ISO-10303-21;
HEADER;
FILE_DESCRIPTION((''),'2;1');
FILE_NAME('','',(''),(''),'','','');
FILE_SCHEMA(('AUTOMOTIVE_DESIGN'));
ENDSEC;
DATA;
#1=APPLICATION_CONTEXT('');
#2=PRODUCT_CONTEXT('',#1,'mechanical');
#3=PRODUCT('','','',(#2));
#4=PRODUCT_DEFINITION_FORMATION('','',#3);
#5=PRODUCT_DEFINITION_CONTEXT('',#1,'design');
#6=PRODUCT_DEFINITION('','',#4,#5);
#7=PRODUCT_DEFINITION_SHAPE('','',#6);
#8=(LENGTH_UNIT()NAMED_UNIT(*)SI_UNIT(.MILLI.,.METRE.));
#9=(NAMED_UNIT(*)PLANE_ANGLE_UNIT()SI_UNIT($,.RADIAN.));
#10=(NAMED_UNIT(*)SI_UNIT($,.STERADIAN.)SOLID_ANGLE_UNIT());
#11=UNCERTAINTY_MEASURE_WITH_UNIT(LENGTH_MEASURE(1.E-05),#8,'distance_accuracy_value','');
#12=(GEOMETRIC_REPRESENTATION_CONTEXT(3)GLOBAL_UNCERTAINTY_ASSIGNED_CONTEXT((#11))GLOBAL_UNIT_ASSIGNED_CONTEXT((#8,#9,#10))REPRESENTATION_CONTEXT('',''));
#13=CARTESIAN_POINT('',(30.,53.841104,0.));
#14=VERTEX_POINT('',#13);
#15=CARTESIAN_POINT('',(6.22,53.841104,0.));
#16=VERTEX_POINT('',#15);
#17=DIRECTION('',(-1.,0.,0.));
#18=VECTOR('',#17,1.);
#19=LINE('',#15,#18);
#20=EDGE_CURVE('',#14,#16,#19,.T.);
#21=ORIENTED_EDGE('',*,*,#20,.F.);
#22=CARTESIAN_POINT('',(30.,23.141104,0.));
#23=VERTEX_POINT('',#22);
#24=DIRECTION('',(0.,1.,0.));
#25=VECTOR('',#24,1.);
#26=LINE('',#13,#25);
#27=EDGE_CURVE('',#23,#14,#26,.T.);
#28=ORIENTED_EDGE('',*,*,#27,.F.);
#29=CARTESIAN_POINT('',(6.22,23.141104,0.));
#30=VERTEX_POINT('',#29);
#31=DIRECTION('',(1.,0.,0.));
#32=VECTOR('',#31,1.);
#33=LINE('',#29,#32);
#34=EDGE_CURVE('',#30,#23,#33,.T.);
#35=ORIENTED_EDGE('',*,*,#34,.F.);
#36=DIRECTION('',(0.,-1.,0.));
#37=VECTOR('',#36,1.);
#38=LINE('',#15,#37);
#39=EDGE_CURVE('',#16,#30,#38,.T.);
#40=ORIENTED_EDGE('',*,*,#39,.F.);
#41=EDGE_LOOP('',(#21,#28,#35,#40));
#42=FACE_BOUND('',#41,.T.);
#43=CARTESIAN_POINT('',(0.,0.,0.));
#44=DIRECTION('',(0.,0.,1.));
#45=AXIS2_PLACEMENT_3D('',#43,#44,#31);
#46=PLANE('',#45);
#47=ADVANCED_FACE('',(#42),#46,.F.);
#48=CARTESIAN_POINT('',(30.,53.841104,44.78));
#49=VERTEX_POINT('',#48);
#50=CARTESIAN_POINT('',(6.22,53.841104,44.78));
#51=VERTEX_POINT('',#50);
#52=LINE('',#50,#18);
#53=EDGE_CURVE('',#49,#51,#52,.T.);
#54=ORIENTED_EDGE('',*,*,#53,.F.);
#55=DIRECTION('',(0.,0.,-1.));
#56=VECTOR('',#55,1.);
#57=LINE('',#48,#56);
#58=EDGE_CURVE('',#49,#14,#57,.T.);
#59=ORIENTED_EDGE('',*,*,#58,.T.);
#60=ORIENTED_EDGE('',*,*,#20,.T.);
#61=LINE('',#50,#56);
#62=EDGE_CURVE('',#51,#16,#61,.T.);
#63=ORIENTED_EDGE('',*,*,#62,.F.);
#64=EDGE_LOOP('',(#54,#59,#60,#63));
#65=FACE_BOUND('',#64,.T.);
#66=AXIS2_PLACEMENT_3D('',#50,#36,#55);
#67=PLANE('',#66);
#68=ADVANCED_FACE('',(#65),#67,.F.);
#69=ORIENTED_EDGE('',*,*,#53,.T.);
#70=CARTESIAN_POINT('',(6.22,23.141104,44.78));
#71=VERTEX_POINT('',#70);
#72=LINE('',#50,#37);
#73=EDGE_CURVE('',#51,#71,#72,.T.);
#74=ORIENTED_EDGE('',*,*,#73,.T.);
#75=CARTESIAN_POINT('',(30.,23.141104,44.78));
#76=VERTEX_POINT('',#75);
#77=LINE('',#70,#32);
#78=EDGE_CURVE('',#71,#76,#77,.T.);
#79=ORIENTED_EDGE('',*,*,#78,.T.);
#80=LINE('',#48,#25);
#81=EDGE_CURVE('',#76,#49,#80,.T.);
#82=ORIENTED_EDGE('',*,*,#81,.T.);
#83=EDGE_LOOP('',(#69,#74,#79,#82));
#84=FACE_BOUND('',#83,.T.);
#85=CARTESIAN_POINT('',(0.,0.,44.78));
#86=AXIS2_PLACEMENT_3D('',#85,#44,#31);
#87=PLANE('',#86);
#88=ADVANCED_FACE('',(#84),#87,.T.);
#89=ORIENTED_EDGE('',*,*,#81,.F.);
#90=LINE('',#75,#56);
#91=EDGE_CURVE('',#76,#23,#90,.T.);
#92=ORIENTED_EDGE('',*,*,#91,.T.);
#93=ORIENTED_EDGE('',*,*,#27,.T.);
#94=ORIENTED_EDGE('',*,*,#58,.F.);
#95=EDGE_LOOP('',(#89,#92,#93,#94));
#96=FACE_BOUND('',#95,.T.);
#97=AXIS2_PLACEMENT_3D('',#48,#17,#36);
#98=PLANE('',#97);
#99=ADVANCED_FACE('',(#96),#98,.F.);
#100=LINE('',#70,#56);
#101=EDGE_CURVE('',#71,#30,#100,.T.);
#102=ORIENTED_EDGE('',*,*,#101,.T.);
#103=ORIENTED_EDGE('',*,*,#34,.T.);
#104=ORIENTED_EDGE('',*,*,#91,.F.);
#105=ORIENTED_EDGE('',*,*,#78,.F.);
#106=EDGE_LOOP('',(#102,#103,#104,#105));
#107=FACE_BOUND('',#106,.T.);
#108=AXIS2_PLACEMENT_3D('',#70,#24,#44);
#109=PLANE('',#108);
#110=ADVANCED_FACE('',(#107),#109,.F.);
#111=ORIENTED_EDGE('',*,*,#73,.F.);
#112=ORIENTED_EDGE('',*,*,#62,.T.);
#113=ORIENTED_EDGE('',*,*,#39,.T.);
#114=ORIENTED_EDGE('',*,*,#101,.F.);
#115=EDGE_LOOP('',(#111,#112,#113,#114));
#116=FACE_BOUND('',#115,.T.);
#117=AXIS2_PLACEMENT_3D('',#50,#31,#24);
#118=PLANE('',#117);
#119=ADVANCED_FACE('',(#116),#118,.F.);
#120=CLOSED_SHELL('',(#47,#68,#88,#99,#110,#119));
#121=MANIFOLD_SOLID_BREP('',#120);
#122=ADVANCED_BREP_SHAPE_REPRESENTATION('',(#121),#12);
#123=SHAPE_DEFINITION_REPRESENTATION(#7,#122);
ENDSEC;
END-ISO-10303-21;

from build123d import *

# Parameters (mm, degrees)
SKETCH1_W           = 23.78
SKETCH1_H           = 30.7
BOSS_EXTRUDE1_DEPTH = 44.78


with BuildPart() as part:
    # Sketch1 → Boss-Extrude1 (new body)
    with BuildSketch(Plane.XY):
        with Locations((18.11, 38.4911038)):
            Rectangle(SKETCH1_W, SKETCH1_H)
    extrude(amount=BOSS_EXTRUDE1_DEPTH)


solid = part.part
